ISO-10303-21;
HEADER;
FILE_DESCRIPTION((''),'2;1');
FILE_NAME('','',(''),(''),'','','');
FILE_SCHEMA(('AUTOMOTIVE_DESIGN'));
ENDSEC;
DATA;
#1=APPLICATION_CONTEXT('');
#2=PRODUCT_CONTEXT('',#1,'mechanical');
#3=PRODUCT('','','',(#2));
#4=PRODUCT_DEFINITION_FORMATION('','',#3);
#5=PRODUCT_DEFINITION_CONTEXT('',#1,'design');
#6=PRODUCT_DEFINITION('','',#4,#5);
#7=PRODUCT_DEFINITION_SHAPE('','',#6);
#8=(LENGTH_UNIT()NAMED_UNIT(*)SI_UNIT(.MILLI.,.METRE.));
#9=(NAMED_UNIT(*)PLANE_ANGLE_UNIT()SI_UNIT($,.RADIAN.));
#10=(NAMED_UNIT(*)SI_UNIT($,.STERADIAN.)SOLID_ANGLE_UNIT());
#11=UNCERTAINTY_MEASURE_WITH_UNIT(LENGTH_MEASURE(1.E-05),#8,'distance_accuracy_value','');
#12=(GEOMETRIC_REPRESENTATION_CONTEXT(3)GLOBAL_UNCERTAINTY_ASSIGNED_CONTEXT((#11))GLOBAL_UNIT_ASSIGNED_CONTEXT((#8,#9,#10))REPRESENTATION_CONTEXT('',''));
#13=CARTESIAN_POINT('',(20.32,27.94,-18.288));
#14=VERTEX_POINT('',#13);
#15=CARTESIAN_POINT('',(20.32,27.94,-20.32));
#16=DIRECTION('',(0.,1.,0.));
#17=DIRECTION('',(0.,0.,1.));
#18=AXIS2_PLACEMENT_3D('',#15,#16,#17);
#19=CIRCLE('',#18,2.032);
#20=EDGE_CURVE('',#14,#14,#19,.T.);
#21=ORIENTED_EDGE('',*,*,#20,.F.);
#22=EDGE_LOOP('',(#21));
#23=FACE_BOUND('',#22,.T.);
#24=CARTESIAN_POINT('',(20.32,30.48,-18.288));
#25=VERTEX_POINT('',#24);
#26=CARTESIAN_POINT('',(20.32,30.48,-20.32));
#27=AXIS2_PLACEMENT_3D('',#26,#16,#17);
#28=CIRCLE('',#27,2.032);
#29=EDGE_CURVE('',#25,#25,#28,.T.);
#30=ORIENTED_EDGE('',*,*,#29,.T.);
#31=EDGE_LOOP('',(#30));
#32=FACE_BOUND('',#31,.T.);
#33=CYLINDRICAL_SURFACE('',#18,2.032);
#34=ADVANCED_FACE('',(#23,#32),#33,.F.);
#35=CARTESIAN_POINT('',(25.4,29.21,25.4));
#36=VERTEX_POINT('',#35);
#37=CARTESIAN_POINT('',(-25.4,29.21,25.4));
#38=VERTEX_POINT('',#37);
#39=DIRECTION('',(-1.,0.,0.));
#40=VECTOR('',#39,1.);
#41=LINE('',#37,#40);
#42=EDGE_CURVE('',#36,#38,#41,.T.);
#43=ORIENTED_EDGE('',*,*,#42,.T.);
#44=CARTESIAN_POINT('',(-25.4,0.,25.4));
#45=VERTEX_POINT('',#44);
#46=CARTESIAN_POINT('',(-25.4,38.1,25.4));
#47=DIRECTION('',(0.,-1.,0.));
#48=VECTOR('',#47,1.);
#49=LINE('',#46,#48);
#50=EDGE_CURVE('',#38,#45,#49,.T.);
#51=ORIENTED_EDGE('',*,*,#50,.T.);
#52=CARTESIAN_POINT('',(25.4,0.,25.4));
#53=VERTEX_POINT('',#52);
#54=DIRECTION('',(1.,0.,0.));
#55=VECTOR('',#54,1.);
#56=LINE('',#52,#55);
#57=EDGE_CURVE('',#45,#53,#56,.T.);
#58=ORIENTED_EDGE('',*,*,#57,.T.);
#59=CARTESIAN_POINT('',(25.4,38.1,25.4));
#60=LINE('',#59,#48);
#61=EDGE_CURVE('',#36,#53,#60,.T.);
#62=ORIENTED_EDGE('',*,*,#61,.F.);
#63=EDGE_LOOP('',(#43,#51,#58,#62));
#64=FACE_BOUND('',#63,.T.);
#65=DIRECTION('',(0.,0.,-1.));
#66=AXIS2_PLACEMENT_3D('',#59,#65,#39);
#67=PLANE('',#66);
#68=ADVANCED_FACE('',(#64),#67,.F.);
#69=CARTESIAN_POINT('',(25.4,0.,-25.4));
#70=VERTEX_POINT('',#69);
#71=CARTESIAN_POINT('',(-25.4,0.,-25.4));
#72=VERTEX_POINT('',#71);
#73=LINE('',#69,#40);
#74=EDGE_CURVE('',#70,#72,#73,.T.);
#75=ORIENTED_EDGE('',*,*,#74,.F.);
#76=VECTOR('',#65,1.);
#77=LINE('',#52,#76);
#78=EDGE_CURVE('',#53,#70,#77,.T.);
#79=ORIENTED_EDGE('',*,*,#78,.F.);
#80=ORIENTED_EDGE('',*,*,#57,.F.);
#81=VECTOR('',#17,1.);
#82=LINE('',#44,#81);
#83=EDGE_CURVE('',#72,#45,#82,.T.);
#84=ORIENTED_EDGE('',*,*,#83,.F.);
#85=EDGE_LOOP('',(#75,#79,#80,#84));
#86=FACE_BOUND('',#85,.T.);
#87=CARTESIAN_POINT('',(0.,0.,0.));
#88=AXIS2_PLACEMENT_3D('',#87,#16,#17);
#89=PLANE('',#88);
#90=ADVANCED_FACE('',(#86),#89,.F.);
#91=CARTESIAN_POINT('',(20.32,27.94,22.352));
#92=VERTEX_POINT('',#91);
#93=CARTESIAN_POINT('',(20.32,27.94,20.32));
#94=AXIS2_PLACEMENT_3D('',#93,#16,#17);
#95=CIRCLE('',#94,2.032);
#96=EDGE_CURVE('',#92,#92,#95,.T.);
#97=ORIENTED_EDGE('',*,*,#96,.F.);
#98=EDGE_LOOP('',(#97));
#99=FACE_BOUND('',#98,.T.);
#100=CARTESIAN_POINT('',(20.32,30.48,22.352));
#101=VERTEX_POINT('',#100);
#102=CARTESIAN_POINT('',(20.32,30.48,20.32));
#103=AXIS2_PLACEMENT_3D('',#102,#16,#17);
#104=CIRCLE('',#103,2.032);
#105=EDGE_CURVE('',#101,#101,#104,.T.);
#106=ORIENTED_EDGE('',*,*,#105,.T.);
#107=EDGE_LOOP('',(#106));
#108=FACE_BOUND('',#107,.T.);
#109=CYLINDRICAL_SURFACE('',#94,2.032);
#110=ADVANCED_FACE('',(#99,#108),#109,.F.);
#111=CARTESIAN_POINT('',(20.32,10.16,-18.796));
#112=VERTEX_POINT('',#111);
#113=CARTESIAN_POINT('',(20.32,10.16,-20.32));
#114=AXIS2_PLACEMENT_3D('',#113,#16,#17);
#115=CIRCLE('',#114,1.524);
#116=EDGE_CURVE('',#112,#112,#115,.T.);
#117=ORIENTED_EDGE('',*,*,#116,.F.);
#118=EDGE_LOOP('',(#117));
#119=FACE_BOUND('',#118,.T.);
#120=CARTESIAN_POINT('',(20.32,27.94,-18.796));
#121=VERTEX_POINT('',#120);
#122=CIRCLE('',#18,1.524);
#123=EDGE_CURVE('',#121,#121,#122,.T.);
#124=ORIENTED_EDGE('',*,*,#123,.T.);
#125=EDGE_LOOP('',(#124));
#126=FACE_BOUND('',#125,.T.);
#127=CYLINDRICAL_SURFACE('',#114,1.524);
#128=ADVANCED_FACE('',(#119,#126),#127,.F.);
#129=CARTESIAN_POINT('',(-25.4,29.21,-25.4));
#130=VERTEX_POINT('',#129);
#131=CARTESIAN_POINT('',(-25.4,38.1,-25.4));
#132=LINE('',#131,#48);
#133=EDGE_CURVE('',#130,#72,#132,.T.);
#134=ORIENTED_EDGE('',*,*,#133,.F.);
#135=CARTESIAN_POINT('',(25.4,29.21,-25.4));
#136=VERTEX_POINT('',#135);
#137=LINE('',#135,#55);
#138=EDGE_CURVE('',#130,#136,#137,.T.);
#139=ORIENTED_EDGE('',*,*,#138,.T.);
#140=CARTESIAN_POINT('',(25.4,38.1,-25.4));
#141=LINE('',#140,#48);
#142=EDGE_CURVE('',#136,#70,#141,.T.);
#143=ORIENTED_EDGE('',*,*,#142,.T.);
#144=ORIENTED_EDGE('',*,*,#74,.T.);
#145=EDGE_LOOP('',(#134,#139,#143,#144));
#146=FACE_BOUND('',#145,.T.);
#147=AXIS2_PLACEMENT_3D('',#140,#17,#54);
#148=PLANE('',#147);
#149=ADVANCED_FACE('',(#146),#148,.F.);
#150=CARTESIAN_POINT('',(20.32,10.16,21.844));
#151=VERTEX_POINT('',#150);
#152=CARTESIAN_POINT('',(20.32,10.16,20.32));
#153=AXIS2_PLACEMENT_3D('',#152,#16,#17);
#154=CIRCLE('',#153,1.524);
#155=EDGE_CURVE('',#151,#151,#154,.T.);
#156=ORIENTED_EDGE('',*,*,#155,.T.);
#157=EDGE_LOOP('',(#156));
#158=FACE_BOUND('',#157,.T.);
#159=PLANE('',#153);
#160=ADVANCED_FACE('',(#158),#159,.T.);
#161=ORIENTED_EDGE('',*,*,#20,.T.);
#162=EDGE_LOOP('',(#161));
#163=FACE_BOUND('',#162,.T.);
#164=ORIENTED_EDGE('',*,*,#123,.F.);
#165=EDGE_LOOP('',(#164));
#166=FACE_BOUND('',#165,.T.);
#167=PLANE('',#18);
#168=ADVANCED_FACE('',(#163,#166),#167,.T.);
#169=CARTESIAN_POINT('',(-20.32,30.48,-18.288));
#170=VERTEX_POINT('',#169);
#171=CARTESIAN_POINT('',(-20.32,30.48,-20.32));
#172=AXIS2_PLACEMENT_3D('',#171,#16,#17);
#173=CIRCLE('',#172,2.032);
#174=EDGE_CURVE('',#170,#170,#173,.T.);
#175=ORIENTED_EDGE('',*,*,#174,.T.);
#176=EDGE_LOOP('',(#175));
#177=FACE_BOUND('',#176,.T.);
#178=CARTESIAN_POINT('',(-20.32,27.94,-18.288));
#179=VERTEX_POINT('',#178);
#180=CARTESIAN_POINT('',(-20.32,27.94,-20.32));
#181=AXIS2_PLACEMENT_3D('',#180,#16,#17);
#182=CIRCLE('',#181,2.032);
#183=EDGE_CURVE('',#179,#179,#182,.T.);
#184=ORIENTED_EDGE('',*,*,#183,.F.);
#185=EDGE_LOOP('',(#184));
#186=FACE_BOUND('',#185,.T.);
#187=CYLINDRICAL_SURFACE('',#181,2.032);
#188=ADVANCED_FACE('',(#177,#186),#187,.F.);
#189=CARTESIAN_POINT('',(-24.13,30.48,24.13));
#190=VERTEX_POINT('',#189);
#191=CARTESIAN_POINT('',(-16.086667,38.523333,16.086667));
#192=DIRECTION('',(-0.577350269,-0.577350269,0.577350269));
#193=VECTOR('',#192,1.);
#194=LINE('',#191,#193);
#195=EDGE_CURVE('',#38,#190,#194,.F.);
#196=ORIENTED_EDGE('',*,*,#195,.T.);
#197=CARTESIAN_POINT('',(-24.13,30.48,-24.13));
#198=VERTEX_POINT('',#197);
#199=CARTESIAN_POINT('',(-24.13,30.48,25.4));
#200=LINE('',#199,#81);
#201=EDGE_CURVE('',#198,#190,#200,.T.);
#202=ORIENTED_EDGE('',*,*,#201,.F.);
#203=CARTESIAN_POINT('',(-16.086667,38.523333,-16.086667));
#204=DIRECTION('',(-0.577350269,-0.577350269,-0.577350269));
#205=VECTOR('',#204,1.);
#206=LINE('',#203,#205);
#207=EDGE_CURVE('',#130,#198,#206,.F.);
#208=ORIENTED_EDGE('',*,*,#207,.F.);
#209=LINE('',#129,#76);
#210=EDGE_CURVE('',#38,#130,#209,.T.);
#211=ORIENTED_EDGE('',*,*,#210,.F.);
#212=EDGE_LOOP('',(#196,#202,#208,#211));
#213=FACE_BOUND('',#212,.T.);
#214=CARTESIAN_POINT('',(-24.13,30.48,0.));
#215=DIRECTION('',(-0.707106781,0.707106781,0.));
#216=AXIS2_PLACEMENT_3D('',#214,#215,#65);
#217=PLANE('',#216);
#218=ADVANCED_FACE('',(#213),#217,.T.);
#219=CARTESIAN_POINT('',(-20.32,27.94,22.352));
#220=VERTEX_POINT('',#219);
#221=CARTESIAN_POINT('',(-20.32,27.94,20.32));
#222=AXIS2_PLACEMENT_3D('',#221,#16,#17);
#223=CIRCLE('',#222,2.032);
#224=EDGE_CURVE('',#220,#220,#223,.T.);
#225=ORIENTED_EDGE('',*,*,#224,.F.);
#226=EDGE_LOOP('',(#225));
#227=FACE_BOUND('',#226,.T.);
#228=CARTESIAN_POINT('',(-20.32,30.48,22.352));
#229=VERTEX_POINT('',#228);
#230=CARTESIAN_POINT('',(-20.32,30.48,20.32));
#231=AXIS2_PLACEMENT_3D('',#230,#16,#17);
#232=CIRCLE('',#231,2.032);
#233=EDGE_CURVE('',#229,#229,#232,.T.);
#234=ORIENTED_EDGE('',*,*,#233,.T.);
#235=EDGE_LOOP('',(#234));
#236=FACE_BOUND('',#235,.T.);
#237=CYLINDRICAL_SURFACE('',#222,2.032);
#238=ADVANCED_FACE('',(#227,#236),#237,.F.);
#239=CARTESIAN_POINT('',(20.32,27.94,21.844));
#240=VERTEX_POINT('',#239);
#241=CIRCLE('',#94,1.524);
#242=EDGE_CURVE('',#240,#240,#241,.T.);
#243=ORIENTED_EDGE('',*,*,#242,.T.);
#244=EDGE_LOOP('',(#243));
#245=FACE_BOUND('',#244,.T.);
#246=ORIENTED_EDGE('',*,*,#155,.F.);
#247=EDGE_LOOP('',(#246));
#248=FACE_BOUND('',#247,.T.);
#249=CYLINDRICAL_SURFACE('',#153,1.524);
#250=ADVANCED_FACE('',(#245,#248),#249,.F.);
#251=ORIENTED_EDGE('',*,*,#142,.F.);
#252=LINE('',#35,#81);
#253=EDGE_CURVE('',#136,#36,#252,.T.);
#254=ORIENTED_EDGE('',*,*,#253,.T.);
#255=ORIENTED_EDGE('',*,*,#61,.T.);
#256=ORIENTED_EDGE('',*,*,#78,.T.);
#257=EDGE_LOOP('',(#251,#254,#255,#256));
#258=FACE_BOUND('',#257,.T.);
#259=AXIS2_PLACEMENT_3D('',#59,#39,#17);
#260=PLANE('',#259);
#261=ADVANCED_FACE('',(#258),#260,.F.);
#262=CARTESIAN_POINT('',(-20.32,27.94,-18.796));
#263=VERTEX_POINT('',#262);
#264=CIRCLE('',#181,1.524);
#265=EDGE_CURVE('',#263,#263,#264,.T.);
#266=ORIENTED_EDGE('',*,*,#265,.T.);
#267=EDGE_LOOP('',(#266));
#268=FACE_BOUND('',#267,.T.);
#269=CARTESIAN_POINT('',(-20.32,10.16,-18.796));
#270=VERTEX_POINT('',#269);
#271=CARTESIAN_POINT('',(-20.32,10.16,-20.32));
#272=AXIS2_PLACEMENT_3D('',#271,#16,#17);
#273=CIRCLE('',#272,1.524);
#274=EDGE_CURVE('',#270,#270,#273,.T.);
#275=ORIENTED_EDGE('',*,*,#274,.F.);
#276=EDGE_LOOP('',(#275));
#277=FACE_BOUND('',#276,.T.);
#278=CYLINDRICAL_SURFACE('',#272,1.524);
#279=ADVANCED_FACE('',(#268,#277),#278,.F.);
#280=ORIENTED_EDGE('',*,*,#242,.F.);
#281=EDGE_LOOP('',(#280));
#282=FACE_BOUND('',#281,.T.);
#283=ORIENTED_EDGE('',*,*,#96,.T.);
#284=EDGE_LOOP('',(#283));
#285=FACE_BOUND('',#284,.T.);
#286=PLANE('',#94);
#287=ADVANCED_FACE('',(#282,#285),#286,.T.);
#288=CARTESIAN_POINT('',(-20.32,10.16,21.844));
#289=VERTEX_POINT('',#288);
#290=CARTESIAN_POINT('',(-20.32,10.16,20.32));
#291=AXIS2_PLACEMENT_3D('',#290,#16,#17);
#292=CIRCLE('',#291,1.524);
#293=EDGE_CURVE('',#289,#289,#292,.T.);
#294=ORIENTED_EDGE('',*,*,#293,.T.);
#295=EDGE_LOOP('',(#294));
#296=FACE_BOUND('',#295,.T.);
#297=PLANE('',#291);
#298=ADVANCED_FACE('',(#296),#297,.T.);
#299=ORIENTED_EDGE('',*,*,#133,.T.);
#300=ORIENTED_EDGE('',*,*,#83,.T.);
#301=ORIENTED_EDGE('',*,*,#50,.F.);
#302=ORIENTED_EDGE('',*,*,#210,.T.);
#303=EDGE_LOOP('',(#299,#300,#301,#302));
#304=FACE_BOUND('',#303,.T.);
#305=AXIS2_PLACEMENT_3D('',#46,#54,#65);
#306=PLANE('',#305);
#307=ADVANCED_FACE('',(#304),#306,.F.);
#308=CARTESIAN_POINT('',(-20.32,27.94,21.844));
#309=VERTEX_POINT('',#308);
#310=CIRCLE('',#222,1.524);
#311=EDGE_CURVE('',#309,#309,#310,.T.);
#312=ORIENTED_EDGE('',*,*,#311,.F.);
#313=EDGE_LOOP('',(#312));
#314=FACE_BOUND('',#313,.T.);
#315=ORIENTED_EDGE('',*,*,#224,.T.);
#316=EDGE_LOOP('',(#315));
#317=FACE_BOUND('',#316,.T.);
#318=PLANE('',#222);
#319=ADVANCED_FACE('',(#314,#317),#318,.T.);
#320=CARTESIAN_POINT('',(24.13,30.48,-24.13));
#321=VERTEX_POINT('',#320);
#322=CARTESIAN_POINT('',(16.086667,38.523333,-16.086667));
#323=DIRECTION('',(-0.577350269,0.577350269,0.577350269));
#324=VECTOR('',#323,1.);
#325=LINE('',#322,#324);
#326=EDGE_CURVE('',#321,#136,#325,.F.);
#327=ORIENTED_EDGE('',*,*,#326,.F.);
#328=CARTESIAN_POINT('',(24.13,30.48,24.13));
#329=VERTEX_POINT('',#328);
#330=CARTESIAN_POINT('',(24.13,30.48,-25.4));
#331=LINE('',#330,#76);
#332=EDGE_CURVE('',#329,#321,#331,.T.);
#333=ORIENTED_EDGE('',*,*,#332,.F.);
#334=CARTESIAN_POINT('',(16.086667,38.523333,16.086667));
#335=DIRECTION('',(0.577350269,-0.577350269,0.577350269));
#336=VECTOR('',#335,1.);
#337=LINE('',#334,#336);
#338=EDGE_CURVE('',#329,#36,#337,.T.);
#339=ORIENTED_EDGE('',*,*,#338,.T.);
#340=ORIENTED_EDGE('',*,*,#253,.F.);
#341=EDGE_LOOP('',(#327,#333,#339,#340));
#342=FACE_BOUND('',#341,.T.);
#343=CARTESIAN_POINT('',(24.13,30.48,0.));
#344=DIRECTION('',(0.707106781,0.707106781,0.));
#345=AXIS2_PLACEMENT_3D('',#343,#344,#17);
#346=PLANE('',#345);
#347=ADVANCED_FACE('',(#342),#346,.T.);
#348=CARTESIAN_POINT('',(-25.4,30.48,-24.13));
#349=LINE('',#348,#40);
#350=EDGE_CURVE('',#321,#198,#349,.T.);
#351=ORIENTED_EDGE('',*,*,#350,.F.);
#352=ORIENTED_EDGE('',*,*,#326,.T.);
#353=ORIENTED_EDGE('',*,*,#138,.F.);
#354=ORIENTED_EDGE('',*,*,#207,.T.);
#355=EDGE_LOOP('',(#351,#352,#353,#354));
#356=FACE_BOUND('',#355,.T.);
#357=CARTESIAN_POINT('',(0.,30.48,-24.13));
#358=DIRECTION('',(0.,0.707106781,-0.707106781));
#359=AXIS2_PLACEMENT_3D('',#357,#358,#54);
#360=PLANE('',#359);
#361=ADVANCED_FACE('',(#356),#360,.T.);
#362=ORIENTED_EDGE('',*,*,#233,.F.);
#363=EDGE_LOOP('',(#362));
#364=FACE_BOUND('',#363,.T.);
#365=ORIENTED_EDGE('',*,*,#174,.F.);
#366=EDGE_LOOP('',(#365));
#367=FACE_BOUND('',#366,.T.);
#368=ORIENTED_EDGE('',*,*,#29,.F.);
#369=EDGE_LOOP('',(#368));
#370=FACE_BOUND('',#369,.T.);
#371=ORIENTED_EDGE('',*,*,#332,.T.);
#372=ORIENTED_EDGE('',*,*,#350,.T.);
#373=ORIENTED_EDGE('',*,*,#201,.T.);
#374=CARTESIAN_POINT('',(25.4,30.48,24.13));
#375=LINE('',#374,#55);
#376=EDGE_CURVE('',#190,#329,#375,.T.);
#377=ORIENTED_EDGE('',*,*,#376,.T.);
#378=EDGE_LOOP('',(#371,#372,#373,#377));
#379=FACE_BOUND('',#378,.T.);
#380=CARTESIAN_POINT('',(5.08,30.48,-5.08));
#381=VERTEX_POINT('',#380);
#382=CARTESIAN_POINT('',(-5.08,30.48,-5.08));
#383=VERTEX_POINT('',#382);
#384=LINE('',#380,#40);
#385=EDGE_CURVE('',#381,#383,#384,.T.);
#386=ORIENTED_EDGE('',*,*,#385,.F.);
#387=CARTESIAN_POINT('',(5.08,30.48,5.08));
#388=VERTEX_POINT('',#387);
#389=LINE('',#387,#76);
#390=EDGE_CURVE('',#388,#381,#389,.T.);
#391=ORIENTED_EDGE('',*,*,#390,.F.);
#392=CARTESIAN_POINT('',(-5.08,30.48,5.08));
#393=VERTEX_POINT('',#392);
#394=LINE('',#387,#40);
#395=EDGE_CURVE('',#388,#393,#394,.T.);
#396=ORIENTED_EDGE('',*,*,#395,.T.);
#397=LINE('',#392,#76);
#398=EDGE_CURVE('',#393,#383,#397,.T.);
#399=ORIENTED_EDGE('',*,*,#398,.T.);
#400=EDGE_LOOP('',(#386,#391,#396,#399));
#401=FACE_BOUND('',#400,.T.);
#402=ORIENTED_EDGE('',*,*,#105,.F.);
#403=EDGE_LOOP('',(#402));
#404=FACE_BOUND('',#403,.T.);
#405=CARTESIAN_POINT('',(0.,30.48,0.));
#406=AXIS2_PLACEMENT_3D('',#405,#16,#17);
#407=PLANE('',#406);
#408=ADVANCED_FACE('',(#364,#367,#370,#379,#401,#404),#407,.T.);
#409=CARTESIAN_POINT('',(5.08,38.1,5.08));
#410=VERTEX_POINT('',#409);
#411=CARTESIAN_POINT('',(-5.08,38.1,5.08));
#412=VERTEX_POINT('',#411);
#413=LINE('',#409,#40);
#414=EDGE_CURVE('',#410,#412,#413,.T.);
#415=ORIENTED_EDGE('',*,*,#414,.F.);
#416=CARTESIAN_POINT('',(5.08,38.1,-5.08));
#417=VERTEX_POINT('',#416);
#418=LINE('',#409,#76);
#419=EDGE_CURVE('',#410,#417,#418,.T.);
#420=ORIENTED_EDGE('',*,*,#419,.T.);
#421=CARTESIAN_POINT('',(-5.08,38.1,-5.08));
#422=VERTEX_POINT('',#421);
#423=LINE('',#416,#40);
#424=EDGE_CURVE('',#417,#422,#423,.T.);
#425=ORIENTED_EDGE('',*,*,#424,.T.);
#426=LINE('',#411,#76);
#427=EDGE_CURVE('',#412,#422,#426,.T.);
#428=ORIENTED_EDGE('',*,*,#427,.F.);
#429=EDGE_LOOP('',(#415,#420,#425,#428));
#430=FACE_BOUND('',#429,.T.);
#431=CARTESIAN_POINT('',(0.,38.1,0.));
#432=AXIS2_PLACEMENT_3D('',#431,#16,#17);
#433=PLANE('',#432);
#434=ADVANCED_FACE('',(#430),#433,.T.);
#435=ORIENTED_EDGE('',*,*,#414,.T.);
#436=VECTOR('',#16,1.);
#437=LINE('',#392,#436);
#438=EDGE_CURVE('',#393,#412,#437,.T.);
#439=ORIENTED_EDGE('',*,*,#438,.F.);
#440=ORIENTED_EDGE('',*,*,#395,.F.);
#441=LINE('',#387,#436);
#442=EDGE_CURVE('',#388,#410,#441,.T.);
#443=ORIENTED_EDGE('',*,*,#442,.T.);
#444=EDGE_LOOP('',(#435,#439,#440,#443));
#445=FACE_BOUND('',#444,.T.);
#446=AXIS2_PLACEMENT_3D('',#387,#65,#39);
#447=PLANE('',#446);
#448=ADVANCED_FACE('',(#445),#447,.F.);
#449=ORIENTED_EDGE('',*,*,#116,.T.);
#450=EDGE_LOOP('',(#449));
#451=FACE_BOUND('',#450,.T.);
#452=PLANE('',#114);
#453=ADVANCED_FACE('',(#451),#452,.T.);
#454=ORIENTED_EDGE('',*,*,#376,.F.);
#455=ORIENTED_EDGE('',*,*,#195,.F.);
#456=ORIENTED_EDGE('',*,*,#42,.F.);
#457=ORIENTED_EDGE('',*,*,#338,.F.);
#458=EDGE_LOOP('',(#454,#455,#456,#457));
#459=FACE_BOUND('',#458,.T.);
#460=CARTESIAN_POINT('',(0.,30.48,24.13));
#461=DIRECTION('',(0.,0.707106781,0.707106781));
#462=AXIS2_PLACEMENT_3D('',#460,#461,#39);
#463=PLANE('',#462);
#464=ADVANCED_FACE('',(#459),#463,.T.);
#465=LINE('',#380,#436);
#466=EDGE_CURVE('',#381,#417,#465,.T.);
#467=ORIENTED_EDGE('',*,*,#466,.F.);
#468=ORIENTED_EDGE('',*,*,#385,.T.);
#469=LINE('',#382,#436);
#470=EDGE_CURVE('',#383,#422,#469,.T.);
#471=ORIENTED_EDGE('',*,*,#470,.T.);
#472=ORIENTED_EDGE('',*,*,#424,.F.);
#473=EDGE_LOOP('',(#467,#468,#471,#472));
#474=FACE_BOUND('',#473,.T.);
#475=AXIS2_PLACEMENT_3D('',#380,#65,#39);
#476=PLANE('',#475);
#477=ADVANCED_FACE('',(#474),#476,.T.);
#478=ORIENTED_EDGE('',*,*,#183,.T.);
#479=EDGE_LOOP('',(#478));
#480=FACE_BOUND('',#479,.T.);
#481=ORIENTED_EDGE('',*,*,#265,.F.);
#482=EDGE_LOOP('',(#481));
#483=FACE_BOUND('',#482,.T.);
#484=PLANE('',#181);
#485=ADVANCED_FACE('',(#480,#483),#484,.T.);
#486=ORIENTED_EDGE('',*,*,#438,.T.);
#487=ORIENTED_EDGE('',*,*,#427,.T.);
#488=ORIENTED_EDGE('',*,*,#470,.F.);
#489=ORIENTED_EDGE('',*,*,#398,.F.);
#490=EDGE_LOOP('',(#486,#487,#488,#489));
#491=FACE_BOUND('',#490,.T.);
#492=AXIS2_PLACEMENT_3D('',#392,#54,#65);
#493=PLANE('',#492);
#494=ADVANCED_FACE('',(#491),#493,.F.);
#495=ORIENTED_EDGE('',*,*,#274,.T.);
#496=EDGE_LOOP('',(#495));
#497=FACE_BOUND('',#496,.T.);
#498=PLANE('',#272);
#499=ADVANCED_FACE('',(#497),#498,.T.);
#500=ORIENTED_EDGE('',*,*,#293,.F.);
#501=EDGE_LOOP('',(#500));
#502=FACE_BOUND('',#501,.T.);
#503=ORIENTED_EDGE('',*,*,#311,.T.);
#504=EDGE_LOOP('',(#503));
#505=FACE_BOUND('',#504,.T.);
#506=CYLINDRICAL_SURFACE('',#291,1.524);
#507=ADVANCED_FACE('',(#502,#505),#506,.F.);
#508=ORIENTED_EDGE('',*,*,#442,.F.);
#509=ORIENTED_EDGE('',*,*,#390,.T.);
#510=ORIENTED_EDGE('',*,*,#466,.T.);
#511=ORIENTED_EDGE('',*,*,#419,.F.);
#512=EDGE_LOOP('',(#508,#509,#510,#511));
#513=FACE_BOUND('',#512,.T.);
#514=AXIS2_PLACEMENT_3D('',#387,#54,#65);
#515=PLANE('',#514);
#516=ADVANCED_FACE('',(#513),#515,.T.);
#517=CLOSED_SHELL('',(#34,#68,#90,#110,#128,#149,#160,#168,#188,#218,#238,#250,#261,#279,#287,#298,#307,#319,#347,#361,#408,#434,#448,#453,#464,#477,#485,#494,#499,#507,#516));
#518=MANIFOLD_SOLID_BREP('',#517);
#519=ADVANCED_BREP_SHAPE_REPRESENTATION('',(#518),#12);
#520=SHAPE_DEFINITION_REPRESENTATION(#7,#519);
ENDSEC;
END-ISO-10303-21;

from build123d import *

# Parameters (mm, degrees)
SKETCH1_W           = 50.8
SKETCH1_H           = 50.8
BOSS_EXTRUDE1_DEPTH = 38.1
SKETCH2_W           = 50.8
SKETCH2_H           = 50.8
SKETCH2_W_2         = 10.16
SKETCH2_H_2         = 10.16
CUT_EXTRUDE1_DEPTH  = 7.62
SKETCH3_R           = 2.032
SKETCH3_R_2         = 1.524
CUT_EXTRUDE2_DEPTH  = 2.54
SKETCH4_R           = 1.524
CUT_EXTRUDE3_DEPTH  = 20.32
CHAMFER2_SIZE       = 1.27


with BuildPart() as part:
    # Sketch1 → Boss-Extrude1 (new body)
    with BuildSketch(Plane(origin=(0, 0, 0), x_dir=(1, 0, 0), z_dir=(0, 1, 0))):
        Rectangle(SKETCH1_W, SKETCH1_H)
    extrude(amount=BOSS_EXTRUDE1_DEPTH)

    # Sketch2 → Cut-Extrude1 (cut)
    with BuildSketch(Plane(origin=(0, 38.1, 0), x_dir=(1, 0, 0), z_dir=(0, 1, 0))):
        Rectangle(SKETCH2_W, SKETCH2_H)
        Rectangle(SKETCH2_W_2, SKETCH2_H_2, mode=Mode.SUBTRACT)
    extrude(amount=-CUT_EXTRUDE1_DEPTH, mode=Mode.SUBTRACT)

    # Sketch3 → Cut-Extrude2 (cut)
    # profile 1 of 4: a face of its own
    with BuildSketch(Plane(origin=(0, 30.48, 0), x_dir=(1, 0, 0), z_dir=(0, 1, 0))):
        with Locations(Location((-20.32, -20.32, 0), (0, 0, 270))):
            Circle(SKETCH3_R)
        with Locations(Location((-20.32, -20.32, 0), (0, 0, 270))):
            Circle(SKETCH3_R_2, mode=Mode.SUBTRACT)
    # profile 2 of 4: a face of its own
    with BuildSketch(Plane(origin=(0, 30.48, 0), x_dir=(1, 0, 0), z_dir=(0, 1, 0))):
        with Locations(Location((-20.32, 20.32, 0), (0, 0, 270))):
            Circle(SKETCH3_R)
        with Locations(Location((-20.32, 20.32, 0), (0, 0, 270))):
            Circle(SKETCH3_R_2, mode=Mode.SUBTRACT)
    # profile 3 of 4: a face of its own
    with BuildSketch(Plane(origin=(0, 30.48, 0), x_dir=(1, 0, 0), z_dir=(0, 1, 0))):
        with Locations(Location((20.32, 20.32, 0), (0, 0, 270))):
            Circle(SKETCH3_R)
        with Locations(Location((20.32, 20.32, 0), (0, 0, 270))):
            Circle(SKETCH3_R_2, mode=Mode.SUBTRACT)
    # profile 4 of 4: a face of its own
    with BuildSketch(Plane(origin=(0, 30.48, 0), x_dir=(1, 0, 0), z_dir=(0, 1, 0))):
        with Locations(Location((20.32, -20.32, 0), (0, 0, 270))):
            Circle(SKETCH3_R)
        with Locations(Location((20.32, -20.32, 0), (0, 0, 270))):
            Circle(SKETCH3_R_2, mode=Mode.SUBTRACT)
    extrude(amount=-CUT_EXTRUDE2_DEPTH, mode=Mode.SUBTRACT)

    # Sketch4 → Cut-Extrude3 (cut)
    with BuildSketch(Plane(origin=(0, 30.48, 0), x_dir=(1, 0, 0), z_dir=(0, 1, 0))):
        with Locations(Location((-20.32, -20.32, 0), (0, 0, 270))):
            Circle(SKETCH4_R)
        with Locations(Location((-20.32, 20.32, 0), (0, 0, 270))):
            Circle(SKETCH4_R)
        with Locations(Location((20.32, 20.32, 0), (0, 0, 270))):
            Circle(SKETCH4_R)
        with Locations(Location((20.32, -20.32, 0), (0, 0, 270))):
            Circle(SKETCH4_R)
    extrude(amount=-CUT_EXTRUDE3_DEPTH, mode=Mode.SUBTRACT)

    # Chamfer2
    chamfer2_edges = [part.edges().sort_by_distance(p)[0] for p in [
        (25.4, 30.48, 0),
        (0, 30.48, 25.4),
        (-25.4, 30.48, 0),
        (0, 30.48, -25.4),
    ]]
    chamfer(chamfer2_edges, length=CHAMFER2_SIZE)


solid = part.part
